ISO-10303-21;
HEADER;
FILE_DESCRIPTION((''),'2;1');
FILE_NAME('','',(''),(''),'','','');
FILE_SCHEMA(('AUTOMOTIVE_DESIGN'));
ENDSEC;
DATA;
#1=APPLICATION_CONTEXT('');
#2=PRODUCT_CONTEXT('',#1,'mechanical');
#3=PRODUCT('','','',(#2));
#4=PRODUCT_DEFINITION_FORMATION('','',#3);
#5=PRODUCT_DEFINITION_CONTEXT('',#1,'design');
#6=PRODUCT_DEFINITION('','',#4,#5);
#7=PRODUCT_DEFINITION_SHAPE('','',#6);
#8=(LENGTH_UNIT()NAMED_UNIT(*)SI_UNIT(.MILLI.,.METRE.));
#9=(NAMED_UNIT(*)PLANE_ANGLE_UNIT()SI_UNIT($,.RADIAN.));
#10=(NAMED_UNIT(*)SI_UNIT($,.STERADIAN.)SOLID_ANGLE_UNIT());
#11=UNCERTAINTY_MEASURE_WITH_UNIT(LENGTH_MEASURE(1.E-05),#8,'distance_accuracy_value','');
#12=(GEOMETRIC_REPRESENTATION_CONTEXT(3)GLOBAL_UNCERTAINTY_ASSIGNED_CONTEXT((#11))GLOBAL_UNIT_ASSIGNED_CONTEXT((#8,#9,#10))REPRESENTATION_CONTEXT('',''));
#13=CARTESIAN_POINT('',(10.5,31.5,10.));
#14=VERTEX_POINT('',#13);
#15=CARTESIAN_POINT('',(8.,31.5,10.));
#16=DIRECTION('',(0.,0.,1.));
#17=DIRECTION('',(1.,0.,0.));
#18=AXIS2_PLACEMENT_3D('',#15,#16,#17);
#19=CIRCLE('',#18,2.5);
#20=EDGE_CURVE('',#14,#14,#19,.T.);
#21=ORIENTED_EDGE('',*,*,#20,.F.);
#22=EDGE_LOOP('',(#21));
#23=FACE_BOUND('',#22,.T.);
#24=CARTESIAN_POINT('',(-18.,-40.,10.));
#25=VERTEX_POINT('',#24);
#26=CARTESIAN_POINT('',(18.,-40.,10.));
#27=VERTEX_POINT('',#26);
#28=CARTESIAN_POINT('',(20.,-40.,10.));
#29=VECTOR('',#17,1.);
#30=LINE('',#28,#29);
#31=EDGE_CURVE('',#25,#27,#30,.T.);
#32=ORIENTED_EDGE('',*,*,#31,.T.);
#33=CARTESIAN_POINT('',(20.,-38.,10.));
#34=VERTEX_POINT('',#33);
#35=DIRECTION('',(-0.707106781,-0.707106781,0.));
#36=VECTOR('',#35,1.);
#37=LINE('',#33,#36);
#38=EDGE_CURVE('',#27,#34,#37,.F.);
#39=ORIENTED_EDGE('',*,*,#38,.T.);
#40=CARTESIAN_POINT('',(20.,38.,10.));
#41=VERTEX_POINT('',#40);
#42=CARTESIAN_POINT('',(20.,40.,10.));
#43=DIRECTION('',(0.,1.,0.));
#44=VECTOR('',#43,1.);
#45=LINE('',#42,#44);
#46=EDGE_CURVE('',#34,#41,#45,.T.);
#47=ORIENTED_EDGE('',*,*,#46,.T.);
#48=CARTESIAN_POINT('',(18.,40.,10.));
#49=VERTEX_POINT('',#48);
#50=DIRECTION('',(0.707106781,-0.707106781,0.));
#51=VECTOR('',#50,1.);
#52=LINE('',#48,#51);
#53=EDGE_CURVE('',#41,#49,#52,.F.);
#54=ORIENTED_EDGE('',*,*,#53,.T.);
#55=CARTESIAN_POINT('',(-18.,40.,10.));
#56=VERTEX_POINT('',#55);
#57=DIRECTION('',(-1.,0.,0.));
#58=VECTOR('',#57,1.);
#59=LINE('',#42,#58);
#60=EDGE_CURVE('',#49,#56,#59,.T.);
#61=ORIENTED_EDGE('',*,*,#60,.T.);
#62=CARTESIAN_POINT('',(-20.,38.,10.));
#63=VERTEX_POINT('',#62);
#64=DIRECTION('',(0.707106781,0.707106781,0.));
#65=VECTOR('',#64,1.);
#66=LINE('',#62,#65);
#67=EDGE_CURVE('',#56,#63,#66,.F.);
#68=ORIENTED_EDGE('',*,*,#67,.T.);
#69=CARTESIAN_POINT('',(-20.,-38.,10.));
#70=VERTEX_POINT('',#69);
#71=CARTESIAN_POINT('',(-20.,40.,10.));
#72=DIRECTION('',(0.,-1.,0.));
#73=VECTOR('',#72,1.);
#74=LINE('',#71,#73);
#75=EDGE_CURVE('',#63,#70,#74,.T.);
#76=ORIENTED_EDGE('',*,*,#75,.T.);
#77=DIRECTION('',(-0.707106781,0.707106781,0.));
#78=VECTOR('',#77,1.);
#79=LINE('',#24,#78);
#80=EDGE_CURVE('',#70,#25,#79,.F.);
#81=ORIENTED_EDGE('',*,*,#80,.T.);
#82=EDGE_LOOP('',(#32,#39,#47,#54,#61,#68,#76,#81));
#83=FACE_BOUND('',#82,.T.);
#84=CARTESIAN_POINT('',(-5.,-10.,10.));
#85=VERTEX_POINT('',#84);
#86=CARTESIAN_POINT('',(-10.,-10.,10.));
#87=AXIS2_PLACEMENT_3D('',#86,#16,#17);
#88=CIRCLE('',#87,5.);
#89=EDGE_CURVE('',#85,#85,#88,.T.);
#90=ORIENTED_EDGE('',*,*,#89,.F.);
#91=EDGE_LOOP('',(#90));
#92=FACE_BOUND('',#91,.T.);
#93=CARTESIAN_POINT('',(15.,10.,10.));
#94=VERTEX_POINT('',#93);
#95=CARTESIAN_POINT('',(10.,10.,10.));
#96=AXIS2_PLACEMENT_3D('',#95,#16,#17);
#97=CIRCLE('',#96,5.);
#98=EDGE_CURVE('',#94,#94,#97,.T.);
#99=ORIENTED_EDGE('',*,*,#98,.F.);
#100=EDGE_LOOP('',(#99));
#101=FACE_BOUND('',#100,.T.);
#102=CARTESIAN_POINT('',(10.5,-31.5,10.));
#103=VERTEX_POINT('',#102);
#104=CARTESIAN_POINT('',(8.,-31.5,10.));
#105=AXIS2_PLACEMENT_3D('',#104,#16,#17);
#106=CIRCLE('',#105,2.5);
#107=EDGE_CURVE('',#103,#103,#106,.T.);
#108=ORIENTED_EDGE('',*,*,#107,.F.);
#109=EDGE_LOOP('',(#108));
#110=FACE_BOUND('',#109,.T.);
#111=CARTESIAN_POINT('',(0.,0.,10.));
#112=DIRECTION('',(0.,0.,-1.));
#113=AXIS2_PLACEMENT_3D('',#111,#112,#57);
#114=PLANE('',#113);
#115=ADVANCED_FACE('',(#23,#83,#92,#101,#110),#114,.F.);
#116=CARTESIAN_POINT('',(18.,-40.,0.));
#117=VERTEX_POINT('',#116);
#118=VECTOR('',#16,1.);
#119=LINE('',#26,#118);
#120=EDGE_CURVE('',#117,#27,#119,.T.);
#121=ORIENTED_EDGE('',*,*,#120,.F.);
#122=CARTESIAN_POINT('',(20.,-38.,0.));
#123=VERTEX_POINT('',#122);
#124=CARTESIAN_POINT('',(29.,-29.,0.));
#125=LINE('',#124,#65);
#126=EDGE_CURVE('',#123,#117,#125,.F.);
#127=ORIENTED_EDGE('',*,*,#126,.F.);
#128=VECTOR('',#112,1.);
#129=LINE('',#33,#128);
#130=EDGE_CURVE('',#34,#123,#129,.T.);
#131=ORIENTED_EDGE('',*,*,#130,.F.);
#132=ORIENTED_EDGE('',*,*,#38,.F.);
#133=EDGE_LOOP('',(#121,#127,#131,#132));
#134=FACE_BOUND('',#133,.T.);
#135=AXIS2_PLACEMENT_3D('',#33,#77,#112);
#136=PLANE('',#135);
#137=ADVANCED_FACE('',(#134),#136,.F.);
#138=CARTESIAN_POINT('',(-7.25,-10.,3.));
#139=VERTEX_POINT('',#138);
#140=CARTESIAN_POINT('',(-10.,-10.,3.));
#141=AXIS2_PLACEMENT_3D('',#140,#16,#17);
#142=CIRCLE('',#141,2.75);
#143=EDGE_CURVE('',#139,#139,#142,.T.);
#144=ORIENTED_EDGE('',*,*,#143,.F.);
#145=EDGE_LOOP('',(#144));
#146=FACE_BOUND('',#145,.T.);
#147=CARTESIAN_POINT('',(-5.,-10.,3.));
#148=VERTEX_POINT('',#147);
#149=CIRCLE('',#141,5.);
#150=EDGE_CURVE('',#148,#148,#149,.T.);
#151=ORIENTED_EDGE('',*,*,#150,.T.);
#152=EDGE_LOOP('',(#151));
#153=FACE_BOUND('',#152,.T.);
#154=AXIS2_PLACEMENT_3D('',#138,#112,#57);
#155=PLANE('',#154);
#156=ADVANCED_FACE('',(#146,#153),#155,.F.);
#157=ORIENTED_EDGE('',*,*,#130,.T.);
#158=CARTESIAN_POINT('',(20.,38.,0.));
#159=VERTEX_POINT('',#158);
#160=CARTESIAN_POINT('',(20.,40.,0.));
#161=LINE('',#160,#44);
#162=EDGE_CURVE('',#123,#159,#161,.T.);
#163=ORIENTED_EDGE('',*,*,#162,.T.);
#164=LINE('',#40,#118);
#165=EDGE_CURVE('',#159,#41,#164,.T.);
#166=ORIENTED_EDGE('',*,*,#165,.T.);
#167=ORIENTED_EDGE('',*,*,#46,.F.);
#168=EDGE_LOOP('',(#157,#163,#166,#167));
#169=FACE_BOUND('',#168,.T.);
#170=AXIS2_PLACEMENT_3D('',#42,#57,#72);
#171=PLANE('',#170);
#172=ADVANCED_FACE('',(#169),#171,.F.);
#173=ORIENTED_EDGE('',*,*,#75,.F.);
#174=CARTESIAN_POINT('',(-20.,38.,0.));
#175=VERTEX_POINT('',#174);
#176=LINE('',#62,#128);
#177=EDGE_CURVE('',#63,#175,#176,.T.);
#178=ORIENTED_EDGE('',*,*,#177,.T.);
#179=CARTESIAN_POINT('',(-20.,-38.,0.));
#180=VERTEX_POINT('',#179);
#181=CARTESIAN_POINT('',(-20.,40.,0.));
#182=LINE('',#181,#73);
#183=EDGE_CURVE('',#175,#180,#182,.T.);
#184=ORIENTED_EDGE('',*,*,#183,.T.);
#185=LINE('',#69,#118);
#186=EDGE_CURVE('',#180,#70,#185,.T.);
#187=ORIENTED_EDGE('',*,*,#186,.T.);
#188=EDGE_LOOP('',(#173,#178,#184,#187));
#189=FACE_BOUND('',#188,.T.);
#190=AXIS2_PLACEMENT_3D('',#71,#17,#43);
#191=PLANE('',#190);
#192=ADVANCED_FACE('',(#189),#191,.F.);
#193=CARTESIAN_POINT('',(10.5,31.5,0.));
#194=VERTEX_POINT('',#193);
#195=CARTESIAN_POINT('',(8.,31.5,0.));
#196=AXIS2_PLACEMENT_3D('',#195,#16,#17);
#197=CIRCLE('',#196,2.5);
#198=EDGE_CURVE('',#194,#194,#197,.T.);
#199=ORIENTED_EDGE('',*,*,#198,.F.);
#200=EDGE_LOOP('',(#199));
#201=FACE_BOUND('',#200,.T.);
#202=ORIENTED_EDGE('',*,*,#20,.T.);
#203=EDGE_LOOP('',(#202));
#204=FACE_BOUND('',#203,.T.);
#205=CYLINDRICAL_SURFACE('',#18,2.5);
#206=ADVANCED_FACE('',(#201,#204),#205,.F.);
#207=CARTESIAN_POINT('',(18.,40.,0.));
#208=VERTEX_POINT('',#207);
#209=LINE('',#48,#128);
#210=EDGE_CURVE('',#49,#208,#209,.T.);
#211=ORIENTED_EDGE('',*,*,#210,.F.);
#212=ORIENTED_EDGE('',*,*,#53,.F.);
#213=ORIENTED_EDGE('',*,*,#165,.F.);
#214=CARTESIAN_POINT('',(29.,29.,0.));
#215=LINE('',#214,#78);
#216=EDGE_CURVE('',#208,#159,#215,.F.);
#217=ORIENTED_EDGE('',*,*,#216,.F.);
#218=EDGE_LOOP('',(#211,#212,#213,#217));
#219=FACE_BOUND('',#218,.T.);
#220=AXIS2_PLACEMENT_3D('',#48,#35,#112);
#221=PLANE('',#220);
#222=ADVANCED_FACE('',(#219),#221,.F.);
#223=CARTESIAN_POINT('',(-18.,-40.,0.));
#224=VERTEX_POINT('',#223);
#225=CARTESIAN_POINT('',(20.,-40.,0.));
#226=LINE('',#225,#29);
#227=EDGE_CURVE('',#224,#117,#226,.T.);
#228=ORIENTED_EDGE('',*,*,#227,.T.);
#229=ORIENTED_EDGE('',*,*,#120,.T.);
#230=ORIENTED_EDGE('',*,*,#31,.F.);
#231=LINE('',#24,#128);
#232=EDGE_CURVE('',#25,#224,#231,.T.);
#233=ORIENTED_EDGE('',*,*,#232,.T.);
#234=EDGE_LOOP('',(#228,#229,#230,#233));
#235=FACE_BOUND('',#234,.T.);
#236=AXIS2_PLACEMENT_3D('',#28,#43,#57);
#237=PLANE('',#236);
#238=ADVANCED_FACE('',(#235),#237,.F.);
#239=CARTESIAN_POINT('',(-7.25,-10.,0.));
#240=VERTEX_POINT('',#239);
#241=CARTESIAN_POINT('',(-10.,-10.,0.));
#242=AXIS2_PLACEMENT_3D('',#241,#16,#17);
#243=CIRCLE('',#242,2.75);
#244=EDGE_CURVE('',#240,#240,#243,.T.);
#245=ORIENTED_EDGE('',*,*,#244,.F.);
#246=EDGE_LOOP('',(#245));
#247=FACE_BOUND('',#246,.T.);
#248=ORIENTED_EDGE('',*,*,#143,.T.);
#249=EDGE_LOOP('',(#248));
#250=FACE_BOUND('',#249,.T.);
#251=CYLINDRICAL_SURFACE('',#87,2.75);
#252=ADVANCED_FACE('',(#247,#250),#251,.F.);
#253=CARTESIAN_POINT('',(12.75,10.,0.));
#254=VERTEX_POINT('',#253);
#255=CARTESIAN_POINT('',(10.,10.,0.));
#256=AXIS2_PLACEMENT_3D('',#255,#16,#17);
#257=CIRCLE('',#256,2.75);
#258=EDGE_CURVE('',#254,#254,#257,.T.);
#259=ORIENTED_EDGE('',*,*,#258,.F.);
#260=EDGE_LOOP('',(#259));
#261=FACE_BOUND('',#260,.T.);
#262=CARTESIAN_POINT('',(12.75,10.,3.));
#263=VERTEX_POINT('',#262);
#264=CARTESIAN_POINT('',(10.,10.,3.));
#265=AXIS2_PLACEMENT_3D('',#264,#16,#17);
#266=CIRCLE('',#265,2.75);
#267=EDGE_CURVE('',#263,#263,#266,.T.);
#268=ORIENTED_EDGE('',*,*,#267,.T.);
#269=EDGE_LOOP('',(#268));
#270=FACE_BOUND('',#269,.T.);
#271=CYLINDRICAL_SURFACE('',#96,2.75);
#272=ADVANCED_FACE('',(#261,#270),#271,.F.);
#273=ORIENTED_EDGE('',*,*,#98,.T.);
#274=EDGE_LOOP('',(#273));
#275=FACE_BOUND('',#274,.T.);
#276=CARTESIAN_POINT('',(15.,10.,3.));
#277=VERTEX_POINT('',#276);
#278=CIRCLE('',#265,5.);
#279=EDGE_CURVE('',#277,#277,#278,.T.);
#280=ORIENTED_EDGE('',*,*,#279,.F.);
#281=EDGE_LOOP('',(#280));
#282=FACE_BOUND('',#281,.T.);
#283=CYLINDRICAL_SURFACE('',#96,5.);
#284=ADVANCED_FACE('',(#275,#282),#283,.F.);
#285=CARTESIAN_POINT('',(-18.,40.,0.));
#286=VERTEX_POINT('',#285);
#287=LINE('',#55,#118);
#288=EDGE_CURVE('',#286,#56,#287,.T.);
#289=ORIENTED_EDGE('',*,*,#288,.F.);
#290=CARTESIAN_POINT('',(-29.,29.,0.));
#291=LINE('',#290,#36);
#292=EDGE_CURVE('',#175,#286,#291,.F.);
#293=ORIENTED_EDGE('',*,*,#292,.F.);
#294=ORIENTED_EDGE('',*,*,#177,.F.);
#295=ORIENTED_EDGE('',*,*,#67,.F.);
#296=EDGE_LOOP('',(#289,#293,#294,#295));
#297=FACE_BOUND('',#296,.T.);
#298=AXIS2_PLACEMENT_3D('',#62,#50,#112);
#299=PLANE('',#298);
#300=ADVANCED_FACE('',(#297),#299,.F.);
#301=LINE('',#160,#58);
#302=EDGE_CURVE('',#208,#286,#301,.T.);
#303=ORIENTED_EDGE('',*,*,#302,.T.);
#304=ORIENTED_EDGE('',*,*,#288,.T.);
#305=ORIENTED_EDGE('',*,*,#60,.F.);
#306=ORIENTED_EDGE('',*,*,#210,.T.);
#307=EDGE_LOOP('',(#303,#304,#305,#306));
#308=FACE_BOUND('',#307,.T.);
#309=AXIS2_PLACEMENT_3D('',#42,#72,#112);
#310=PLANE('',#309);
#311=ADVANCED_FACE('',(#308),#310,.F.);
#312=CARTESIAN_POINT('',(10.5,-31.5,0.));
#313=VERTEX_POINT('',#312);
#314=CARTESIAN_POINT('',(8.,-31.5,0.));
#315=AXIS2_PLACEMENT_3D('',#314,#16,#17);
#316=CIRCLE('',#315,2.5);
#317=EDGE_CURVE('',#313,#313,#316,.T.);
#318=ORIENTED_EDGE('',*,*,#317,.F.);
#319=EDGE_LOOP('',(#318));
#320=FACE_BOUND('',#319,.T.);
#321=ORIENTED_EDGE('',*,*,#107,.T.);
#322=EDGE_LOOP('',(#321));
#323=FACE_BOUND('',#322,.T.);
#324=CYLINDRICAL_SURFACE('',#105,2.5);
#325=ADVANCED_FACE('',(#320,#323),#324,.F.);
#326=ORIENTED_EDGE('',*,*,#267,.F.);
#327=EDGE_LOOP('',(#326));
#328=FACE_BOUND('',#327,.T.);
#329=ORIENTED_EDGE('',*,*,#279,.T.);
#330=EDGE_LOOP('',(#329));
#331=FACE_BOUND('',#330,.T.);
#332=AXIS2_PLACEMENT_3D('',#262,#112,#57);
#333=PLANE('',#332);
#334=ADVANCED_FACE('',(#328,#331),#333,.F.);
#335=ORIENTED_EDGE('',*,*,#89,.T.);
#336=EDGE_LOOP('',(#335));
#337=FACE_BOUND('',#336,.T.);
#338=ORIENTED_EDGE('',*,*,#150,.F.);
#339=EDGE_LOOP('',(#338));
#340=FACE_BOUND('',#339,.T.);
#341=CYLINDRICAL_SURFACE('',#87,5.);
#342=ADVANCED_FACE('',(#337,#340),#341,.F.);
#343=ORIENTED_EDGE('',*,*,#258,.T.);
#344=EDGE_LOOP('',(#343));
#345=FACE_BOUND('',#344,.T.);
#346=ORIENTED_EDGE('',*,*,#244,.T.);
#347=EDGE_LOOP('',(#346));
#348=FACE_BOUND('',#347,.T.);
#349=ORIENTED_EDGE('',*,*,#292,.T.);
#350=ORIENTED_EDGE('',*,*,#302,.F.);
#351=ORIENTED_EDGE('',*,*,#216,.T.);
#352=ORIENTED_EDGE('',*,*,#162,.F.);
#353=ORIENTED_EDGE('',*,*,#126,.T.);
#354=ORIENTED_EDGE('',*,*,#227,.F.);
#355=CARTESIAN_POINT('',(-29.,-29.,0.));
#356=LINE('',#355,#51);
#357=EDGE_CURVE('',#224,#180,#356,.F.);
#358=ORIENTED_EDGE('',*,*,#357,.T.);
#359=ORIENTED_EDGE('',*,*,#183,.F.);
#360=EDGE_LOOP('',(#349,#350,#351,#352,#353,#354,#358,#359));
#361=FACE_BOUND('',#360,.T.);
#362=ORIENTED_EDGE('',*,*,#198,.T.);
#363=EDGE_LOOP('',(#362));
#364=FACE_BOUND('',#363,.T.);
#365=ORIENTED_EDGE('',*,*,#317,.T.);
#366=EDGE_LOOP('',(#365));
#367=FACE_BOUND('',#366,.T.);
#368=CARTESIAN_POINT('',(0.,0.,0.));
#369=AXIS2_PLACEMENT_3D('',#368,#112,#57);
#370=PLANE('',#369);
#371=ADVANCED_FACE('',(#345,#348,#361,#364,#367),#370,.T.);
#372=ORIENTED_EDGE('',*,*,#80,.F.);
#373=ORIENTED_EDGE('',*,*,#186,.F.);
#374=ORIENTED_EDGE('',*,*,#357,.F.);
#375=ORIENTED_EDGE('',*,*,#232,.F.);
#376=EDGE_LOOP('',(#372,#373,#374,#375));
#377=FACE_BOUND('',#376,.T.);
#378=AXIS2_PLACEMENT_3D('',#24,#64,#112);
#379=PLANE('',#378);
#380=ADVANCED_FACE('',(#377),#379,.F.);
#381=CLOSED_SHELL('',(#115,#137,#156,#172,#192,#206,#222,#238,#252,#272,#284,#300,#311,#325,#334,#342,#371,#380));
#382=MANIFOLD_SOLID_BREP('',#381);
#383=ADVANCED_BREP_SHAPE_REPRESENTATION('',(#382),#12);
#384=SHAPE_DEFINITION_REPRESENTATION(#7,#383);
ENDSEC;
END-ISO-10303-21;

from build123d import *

# Parameters (mm, degrees)
ESQUISSE1_W                                        = 40
ESQUISSE1_H                                        = 80
BOSS_EXTRU_1_DEPTH                                 = 10
CHANFREIN1_SIZE                                    = 2
TROU_TARAUD_M61_D                                  = 5
CHAMBRAGE_POUR_VIS_T_TE_HEXAGONALE_M51_D           = 5.5
CHAMBRAGE_POUR_VIS_T_TE_HEXAGONALE_M51_CBORE_D     = 10
CHAMBRAGE_POUR_VIS_T_TE_HEXAGONALE_M51_CBORE_DEPTH = 7


with BuildPart() as part:
    # Esquisse1 → Boss.-Extru.1 (new body)
    with BuildSketch(Plane.XY):
        Rectangle(ESQUISSE1_W, ESQUISSE1_H)
    extrude(amount=BOSS_EXTRU_1_DEPTH)

    # Chanfrein1
    chanfrein1_edges = [part.edges().sort_by_distance(p)[0] for p in [
        (-20, 40, 5),
        (20, 40, 5),
        (20, -40, 5),
        (-20, -40, 5),
    ]]
    chamfer(chanfrein1_edges, length=CHANFREIN1_SIZE)

    # Trou taraudé M61 (through all)
    with Locations(Plane.XY.offset(10)):
        with Locations((8, 31.5), (8, -31.5)):
            Hole(TROU_TARAUD_M61_D / 2)

    # Chambrage pour vis à tête hexagonale M51 (through all)
    with Locations(Plane.XY.offset(10)):
        with Locations((10, 10), (-10, -10)):
            CounterBoreHole(CHAMBRAGE_POUR_VIS_T_TE_HEXAGONALE_M51_D / 2, CHAMBRAGE_POUR_VIS_T_TE_HEXAGONALE_M51_CBORE_D / 2, CHAMBRAGE_POUR_VIS_T_TE_HEXAGONALE_M51_CBORE_DEPTH)


solid = part.part
